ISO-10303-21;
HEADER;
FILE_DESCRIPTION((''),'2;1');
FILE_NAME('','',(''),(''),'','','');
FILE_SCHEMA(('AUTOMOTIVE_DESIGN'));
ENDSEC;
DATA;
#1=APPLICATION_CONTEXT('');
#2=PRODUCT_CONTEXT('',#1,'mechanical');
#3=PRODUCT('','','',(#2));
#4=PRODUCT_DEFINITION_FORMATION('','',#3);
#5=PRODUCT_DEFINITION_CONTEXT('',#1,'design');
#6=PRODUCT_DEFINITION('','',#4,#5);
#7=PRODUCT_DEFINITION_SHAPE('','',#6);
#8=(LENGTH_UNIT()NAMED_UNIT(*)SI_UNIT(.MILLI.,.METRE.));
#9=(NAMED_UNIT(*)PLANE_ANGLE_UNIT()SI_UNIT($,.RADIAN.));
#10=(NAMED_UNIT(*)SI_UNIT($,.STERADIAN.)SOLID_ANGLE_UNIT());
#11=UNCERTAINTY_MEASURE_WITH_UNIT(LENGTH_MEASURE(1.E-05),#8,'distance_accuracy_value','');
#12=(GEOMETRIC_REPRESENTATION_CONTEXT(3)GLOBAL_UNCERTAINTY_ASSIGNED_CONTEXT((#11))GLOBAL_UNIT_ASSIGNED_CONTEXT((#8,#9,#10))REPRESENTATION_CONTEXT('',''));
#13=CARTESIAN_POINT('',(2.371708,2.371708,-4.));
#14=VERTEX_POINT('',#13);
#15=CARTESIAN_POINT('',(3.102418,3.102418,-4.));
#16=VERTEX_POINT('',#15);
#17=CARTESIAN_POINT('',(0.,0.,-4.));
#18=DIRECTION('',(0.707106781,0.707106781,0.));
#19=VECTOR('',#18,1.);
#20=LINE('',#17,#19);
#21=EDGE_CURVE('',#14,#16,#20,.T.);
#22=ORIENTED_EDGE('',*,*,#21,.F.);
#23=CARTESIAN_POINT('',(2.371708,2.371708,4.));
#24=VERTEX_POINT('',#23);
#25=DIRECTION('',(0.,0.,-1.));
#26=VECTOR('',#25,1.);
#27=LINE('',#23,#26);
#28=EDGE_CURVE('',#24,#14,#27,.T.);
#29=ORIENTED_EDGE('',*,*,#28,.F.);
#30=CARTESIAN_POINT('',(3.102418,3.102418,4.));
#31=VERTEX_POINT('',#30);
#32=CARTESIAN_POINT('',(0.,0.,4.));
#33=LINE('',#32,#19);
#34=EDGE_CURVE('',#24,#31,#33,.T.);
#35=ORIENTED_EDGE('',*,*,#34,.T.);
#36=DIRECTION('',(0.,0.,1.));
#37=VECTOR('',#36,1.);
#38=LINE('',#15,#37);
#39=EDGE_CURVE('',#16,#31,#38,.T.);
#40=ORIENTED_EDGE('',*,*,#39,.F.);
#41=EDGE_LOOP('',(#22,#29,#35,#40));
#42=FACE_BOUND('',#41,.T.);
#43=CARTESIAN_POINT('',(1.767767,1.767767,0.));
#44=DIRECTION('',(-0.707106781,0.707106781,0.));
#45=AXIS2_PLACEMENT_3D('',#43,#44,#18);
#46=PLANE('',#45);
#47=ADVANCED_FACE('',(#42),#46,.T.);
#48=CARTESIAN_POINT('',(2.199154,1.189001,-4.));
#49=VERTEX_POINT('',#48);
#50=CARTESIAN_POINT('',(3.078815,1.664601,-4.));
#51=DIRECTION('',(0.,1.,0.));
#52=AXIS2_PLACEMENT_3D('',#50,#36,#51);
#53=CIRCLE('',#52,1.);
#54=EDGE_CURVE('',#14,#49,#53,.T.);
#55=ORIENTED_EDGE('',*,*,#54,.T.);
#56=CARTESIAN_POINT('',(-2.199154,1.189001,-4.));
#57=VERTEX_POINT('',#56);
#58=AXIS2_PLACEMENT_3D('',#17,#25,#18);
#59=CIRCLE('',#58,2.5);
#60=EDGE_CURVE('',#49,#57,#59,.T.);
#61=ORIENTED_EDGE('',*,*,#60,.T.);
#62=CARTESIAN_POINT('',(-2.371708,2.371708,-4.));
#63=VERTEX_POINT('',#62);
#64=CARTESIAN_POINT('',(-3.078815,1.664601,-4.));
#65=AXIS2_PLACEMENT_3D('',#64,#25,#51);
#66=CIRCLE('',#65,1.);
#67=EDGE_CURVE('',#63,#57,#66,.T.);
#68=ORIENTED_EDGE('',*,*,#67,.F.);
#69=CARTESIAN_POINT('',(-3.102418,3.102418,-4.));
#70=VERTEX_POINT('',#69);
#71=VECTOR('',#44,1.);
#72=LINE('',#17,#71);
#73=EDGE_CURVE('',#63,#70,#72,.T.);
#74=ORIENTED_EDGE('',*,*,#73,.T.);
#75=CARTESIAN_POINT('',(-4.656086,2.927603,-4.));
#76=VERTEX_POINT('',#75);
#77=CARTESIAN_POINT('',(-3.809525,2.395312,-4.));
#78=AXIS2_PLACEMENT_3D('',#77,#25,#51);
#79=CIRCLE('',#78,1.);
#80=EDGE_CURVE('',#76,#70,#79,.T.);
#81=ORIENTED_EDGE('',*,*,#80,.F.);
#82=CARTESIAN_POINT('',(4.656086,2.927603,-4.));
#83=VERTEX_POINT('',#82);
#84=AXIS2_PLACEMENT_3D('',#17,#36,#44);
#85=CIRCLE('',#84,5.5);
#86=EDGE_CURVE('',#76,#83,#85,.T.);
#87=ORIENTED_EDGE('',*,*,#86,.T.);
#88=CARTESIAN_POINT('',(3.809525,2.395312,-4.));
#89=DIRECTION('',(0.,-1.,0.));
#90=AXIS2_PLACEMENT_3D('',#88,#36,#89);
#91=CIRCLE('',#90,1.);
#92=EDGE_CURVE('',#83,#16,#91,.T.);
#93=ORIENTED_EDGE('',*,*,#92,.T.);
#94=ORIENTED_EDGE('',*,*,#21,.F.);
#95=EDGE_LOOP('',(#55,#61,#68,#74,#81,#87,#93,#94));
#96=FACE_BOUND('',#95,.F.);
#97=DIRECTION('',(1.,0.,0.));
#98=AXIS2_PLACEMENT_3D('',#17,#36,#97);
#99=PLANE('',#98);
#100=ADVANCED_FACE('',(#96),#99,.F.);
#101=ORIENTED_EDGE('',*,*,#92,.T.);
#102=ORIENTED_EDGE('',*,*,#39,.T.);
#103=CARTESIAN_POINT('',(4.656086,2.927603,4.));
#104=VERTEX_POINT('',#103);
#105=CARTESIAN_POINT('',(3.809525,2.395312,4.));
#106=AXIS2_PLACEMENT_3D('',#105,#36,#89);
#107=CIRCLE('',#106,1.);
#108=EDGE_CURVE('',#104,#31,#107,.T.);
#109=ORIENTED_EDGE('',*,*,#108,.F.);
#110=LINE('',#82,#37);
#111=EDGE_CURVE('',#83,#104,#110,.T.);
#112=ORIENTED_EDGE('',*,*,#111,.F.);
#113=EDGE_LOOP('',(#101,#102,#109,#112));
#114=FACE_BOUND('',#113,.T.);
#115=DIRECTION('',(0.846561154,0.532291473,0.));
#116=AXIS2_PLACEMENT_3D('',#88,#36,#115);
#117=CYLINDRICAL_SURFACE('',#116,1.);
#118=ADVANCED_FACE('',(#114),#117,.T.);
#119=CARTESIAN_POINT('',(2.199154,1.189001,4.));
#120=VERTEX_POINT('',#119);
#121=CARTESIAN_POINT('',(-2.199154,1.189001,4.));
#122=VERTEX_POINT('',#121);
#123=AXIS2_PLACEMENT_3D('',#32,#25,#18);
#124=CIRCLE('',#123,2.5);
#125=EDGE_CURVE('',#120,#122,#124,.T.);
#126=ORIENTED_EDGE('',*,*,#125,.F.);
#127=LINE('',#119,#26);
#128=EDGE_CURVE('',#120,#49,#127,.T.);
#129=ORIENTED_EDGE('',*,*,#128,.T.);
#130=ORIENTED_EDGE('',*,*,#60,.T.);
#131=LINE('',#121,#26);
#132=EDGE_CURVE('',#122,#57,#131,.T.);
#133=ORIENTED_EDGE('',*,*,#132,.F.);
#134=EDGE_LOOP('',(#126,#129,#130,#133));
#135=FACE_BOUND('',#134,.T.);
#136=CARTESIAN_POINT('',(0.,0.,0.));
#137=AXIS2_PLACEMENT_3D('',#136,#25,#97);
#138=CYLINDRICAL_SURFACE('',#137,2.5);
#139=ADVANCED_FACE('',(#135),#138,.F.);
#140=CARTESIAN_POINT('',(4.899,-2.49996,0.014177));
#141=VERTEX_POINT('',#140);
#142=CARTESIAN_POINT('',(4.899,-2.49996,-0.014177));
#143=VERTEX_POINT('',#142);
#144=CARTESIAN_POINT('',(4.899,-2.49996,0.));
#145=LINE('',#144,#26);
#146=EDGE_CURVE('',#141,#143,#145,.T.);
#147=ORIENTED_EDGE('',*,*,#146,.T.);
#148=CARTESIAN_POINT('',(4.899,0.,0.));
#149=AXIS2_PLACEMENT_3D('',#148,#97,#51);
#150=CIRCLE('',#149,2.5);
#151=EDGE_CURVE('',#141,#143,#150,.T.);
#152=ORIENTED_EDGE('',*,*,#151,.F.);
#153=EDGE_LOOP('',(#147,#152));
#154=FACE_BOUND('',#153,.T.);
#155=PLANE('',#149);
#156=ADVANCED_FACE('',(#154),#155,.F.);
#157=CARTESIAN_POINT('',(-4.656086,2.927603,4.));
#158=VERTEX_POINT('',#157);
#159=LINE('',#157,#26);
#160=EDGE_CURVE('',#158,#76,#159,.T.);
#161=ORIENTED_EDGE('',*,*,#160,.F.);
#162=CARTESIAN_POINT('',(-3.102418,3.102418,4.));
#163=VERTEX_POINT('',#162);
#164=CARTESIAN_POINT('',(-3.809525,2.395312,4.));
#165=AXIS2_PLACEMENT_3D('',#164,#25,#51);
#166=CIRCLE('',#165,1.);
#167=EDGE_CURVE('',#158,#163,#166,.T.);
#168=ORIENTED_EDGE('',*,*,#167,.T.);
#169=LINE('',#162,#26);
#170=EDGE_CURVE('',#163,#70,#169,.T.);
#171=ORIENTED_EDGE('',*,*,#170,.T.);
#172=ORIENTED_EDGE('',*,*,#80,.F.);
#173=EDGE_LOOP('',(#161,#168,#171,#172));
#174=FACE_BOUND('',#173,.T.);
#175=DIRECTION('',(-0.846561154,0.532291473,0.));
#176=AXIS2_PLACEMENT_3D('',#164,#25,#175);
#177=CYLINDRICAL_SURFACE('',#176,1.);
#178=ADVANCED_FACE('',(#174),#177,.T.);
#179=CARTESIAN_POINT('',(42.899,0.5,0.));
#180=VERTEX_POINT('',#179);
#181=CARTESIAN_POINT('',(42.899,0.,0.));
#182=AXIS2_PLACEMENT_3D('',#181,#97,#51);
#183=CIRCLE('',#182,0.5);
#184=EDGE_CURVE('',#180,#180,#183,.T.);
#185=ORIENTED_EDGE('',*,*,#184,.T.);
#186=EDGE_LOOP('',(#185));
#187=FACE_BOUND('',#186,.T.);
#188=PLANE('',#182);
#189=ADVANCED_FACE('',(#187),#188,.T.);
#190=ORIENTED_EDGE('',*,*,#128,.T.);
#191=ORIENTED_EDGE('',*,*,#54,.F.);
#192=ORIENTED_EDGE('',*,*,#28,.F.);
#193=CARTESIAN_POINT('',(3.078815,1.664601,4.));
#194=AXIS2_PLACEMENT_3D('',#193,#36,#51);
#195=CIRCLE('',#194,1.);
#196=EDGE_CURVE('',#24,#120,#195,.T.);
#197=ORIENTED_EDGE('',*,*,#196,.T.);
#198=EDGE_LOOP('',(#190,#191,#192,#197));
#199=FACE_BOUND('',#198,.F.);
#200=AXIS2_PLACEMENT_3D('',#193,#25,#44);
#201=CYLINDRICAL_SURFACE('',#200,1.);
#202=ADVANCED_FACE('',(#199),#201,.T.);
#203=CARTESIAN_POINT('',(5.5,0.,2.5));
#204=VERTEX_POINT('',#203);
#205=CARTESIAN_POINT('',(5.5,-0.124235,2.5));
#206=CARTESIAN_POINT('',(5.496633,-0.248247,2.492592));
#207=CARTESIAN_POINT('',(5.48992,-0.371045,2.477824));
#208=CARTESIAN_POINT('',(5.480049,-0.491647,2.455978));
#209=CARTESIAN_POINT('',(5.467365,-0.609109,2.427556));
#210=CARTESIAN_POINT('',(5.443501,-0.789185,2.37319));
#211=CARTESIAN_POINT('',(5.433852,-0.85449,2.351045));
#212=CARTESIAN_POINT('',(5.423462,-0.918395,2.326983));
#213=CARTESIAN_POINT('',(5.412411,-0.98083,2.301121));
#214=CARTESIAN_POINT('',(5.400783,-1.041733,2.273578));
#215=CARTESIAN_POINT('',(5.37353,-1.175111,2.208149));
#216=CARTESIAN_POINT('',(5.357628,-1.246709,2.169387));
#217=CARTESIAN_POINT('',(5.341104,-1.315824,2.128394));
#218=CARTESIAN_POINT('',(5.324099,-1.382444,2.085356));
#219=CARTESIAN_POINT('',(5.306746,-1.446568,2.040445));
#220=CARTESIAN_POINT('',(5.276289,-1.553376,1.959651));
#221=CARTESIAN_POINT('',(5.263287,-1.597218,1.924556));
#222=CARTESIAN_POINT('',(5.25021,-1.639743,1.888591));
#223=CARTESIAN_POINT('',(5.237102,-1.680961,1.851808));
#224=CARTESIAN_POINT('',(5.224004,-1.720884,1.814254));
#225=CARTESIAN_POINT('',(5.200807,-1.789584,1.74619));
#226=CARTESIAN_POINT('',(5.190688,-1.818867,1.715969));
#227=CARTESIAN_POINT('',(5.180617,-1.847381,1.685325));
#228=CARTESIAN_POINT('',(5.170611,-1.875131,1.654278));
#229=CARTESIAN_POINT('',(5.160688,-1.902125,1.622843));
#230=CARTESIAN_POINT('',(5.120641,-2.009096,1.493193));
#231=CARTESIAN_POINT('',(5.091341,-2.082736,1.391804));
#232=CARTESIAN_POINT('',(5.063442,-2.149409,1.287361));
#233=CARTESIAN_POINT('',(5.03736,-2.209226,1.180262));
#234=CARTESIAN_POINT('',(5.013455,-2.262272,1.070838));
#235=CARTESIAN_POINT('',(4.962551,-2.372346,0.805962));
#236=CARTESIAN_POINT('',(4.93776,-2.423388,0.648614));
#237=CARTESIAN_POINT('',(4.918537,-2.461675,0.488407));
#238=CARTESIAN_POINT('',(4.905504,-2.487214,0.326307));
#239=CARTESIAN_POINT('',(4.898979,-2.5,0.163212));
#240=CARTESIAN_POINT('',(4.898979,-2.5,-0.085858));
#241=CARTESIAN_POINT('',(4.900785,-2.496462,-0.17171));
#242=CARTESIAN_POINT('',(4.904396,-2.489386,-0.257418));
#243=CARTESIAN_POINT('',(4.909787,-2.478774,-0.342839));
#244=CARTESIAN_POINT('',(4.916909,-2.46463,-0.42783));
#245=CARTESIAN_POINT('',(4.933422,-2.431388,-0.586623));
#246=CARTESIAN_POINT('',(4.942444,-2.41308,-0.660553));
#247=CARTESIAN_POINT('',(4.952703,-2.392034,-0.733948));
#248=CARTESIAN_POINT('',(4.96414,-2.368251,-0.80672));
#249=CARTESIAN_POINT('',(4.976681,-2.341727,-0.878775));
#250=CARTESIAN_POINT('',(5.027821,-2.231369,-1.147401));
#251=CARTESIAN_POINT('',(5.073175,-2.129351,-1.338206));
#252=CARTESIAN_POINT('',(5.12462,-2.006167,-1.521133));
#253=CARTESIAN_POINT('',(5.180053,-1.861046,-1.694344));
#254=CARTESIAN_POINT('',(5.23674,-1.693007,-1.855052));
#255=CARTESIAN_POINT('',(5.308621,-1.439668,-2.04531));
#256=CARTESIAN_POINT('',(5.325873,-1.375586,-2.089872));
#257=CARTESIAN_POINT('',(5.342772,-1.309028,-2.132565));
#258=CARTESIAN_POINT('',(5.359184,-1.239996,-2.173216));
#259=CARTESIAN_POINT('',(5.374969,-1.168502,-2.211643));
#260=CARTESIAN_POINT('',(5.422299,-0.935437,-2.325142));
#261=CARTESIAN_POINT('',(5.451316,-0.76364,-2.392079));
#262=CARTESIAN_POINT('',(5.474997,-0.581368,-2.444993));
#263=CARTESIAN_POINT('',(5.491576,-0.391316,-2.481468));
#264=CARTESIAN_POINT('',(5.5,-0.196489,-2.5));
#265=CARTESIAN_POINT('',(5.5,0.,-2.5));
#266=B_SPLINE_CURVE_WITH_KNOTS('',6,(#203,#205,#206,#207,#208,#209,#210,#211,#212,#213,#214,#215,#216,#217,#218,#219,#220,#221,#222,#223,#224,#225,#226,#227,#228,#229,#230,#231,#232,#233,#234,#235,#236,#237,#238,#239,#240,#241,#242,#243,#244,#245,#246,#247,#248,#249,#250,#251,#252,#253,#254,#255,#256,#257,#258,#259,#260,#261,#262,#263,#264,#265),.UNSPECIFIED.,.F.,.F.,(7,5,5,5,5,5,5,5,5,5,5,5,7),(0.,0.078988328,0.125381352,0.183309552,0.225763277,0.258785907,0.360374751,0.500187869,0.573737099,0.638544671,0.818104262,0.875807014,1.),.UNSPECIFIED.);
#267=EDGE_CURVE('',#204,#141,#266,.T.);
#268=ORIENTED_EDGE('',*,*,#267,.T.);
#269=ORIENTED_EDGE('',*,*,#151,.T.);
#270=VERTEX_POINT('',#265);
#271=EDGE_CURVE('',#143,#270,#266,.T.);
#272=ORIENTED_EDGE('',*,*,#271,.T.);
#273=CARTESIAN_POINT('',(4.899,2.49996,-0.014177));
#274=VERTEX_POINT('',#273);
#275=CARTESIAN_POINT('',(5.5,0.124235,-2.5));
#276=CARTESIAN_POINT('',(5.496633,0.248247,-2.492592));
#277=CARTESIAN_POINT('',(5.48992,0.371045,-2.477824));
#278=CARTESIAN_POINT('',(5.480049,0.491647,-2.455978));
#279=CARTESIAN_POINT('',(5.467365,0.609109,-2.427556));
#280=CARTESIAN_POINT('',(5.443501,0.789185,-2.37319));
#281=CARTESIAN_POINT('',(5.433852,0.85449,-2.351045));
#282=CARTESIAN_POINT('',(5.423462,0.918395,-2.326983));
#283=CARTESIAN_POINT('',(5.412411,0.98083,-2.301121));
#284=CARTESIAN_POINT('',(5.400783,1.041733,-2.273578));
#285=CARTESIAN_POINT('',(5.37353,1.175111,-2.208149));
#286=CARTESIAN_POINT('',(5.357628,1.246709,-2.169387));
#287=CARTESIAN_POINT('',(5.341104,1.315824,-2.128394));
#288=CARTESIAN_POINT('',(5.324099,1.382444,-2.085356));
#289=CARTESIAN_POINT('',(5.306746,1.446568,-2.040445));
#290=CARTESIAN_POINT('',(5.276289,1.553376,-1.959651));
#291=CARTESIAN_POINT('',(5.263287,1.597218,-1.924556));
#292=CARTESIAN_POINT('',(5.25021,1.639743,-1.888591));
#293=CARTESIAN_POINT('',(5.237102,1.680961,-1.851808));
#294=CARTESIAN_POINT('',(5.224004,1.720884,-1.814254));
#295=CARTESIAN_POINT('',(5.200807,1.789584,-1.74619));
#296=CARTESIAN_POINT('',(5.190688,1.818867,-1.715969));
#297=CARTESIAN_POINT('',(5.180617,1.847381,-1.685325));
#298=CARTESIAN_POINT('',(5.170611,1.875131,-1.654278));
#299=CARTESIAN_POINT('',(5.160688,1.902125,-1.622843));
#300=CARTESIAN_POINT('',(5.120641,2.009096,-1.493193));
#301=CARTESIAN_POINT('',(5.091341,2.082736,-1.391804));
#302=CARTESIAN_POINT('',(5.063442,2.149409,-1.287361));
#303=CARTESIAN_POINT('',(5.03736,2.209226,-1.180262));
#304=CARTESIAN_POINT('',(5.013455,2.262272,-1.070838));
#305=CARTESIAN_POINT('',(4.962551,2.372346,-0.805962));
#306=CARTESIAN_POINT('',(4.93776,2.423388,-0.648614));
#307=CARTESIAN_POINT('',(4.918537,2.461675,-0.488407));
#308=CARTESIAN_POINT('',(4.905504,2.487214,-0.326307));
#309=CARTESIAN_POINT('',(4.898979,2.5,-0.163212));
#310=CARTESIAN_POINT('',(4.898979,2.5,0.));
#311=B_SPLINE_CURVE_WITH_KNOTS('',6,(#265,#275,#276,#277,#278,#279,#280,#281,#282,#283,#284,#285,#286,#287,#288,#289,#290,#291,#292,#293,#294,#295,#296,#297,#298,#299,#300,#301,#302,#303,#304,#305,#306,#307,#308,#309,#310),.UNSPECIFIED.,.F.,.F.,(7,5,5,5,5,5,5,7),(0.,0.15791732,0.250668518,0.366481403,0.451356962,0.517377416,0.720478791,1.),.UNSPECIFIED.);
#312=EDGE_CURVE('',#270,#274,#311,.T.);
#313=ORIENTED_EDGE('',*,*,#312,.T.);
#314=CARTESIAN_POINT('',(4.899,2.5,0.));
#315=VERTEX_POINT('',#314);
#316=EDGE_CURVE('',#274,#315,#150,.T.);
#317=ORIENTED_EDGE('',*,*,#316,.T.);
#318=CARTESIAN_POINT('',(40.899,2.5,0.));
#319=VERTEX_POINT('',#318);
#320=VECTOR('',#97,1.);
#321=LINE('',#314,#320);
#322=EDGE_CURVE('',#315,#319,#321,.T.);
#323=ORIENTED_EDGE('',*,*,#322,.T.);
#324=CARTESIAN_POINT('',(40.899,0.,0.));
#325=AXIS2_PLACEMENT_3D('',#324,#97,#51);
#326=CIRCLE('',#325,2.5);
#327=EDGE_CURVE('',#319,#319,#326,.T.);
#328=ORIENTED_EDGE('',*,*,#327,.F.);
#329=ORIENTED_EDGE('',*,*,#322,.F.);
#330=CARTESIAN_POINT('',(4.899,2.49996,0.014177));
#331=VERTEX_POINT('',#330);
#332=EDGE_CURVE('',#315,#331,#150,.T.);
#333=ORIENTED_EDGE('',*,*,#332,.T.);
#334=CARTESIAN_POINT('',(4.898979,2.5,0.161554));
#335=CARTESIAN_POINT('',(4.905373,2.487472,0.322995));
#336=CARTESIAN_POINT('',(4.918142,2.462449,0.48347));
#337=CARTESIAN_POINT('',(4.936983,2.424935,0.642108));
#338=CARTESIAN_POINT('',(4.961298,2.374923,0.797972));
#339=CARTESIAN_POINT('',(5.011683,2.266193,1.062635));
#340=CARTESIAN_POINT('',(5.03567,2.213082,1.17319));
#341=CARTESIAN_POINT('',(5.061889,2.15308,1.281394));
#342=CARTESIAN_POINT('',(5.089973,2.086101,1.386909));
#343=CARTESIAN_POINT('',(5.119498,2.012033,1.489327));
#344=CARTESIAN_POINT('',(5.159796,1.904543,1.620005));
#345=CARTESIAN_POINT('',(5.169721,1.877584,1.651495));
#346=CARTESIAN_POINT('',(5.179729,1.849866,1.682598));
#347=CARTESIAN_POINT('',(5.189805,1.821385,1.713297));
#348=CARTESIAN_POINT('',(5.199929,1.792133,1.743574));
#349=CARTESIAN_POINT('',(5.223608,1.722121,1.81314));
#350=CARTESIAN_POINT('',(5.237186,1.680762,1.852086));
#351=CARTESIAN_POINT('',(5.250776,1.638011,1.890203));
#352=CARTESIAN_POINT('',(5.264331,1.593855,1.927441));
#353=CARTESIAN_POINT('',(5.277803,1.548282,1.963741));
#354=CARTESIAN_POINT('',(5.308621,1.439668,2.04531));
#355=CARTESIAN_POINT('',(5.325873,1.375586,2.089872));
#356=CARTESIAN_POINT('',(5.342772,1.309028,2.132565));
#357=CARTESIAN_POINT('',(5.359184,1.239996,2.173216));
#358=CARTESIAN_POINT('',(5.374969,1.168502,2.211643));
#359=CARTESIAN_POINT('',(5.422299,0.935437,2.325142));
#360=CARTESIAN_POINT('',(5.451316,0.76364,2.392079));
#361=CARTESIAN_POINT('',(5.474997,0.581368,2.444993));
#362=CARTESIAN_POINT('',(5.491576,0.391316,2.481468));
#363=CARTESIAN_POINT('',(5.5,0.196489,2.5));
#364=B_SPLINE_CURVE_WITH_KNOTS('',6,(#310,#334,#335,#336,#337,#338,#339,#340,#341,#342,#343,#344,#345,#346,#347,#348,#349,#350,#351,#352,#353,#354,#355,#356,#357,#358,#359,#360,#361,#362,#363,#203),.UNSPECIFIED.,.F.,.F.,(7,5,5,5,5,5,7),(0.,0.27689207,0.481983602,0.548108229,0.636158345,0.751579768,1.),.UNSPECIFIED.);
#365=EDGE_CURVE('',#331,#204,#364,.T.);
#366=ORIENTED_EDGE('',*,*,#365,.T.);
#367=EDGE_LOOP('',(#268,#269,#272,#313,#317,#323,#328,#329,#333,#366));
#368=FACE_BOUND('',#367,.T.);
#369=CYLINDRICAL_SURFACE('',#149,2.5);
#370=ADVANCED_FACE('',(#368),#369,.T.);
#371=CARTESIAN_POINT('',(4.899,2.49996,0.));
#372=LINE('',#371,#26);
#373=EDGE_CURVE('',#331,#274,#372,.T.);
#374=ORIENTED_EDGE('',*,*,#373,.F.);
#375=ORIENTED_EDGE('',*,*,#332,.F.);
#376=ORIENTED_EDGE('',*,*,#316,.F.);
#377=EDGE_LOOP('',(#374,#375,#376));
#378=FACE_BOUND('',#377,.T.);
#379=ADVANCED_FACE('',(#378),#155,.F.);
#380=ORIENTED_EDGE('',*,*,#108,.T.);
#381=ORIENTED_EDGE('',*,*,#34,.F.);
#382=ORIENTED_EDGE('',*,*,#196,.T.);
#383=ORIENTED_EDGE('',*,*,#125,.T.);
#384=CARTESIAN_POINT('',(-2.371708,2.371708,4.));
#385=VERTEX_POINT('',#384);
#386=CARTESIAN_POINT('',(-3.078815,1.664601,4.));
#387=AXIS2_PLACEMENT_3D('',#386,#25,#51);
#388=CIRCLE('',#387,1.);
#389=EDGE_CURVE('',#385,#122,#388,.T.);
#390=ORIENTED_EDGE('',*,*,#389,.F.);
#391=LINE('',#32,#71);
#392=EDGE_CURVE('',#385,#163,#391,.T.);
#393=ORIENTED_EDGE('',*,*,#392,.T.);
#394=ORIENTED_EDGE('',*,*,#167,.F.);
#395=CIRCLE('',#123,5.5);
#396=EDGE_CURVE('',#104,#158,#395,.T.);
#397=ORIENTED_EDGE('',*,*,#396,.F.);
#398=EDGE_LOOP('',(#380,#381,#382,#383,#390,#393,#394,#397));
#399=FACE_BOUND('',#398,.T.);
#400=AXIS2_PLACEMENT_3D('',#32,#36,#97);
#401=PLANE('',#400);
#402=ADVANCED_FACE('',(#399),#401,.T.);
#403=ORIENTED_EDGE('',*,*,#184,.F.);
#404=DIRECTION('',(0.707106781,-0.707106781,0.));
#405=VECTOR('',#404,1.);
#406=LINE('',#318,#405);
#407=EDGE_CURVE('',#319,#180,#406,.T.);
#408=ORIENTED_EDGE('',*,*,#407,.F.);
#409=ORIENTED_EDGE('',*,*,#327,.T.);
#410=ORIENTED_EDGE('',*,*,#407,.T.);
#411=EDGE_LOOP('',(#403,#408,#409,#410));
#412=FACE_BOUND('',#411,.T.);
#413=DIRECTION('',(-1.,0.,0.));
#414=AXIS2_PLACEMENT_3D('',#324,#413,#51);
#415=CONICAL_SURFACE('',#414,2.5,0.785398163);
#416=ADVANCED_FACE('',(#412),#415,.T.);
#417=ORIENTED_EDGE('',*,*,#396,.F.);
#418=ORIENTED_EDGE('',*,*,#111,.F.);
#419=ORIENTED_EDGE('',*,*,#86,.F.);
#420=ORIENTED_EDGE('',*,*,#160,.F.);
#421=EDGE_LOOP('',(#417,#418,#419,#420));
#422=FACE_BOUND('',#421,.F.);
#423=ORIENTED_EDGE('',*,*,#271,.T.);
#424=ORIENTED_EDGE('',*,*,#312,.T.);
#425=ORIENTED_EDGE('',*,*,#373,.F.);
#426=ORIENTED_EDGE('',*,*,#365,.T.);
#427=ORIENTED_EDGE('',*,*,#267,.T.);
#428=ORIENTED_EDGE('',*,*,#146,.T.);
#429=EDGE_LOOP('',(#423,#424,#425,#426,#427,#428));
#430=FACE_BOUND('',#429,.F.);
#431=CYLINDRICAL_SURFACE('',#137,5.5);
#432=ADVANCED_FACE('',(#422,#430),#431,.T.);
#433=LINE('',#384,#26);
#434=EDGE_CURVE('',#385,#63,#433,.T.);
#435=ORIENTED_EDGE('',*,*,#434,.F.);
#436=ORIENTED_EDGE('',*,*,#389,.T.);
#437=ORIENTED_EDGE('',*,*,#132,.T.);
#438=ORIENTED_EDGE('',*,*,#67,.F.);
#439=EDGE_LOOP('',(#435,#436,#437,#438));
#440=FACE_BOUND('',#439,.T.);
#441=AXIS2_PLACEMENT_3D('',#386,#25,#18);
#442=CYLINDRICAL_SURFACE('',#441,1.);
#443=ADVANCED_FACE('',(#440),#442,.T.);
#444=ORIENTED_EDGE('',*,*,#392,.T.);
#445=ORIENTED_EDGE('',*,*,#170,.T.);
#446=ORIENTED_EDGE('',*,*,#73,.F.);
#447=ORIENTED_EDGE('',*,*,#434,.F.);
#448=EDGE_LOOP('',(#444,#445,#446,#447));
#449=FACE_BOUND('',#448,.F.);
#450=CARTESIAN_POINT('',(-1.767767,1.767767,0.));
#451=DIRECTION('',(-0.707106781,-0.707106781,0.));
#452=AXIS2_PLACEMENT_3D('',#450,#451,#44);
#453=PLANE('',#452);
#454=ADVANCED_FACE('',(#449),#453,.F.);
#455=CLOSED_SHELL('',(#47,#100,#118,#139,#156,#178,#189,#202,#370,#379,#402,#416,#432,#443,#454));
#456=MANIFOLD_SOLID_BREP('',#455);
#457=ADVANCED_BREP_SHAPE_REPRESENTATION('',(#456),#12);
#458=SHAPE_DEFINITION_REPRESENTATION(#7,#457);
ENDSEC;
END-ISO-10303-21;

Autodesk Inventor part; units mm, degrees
ref_plane "YZ Plane" through (0, 0, 0) normal (1, 0, 0) x (0, 1, 0)
ref_plane "XZ Plane" through (0, 0, 0) normal (0, 1, 0) x (-1, 0, 0)
ref_plane "XY Plane" through (0, 0, 0) normal (0, 0, 1) x (1, 0, 0)
sketch "Sketch1" plane through (0, 0, 0) normal (0, 0, 1) x (1, 0, 0)
  circle A0 centre (0, 0) radius 5.5
  circle A1 centre (0, 0) radius 2.5
  line L0 (0, 0) -> (0, 5.5) construction
  line L1 (0, 0) -> (-3.8891, 3.8891)
  line L2 (0, 0) -> (3.8891, 3.8891)
  point P0 (1.7678, 1.7678)
  point P1 (-1.7678, 1.7678)
  dimension "d0" = 5
  dimension "d1" = 3
  dimension "d2" = 45
  dimension "d3" = 45
extrude "Extrusion1" add sketch "Sketch1" along normal mid plane 8 contours A0 L1 A1 L2 picked at (-3.4581, 2.8281)
sketch "Sketch2" plane through (0, 0, 0) normal (0, 0, 1) x (1, 0, 0)
  arc A0 (-3.8891, 3.8891) -> (3.8891, 3.8891) centre (0, 0) ccw construction
  line L0 (4.899, 2.5) -> (42.899, 2.5)
  line L1 (42.899, 2.5) -> (42.899, -2.5)
  line L2 (42.899, -2.5) -> (4.899, -2.5)
  line L3 (4.899, -2.5) -> (4.899, 2.5)
  line L4 (0, 0) -> (42.899, 0)
  point P0 (4.899, 0)
  dimension "d6" = 38
  dimension "d7" = 5
revolve "Revolution1" add sketch "Sketch2" angle 360 about axis through (0, 0, 0) along (1, 0, 0) contours L0 L1 L4 L3
chamfer "Chamfer1" distance 2 angle 45 1 edges at (42.899, -2.5, 0)
fillet "Fillet3" radius 1 4 edges at (-3.8891, 3.8891, 0) (-1.7678, 1.7678, 0) (3.8891, 3.8891, 0) (1.7678, 1.7678, 0)
properties part number "Apple_logo_Black_Part2"
